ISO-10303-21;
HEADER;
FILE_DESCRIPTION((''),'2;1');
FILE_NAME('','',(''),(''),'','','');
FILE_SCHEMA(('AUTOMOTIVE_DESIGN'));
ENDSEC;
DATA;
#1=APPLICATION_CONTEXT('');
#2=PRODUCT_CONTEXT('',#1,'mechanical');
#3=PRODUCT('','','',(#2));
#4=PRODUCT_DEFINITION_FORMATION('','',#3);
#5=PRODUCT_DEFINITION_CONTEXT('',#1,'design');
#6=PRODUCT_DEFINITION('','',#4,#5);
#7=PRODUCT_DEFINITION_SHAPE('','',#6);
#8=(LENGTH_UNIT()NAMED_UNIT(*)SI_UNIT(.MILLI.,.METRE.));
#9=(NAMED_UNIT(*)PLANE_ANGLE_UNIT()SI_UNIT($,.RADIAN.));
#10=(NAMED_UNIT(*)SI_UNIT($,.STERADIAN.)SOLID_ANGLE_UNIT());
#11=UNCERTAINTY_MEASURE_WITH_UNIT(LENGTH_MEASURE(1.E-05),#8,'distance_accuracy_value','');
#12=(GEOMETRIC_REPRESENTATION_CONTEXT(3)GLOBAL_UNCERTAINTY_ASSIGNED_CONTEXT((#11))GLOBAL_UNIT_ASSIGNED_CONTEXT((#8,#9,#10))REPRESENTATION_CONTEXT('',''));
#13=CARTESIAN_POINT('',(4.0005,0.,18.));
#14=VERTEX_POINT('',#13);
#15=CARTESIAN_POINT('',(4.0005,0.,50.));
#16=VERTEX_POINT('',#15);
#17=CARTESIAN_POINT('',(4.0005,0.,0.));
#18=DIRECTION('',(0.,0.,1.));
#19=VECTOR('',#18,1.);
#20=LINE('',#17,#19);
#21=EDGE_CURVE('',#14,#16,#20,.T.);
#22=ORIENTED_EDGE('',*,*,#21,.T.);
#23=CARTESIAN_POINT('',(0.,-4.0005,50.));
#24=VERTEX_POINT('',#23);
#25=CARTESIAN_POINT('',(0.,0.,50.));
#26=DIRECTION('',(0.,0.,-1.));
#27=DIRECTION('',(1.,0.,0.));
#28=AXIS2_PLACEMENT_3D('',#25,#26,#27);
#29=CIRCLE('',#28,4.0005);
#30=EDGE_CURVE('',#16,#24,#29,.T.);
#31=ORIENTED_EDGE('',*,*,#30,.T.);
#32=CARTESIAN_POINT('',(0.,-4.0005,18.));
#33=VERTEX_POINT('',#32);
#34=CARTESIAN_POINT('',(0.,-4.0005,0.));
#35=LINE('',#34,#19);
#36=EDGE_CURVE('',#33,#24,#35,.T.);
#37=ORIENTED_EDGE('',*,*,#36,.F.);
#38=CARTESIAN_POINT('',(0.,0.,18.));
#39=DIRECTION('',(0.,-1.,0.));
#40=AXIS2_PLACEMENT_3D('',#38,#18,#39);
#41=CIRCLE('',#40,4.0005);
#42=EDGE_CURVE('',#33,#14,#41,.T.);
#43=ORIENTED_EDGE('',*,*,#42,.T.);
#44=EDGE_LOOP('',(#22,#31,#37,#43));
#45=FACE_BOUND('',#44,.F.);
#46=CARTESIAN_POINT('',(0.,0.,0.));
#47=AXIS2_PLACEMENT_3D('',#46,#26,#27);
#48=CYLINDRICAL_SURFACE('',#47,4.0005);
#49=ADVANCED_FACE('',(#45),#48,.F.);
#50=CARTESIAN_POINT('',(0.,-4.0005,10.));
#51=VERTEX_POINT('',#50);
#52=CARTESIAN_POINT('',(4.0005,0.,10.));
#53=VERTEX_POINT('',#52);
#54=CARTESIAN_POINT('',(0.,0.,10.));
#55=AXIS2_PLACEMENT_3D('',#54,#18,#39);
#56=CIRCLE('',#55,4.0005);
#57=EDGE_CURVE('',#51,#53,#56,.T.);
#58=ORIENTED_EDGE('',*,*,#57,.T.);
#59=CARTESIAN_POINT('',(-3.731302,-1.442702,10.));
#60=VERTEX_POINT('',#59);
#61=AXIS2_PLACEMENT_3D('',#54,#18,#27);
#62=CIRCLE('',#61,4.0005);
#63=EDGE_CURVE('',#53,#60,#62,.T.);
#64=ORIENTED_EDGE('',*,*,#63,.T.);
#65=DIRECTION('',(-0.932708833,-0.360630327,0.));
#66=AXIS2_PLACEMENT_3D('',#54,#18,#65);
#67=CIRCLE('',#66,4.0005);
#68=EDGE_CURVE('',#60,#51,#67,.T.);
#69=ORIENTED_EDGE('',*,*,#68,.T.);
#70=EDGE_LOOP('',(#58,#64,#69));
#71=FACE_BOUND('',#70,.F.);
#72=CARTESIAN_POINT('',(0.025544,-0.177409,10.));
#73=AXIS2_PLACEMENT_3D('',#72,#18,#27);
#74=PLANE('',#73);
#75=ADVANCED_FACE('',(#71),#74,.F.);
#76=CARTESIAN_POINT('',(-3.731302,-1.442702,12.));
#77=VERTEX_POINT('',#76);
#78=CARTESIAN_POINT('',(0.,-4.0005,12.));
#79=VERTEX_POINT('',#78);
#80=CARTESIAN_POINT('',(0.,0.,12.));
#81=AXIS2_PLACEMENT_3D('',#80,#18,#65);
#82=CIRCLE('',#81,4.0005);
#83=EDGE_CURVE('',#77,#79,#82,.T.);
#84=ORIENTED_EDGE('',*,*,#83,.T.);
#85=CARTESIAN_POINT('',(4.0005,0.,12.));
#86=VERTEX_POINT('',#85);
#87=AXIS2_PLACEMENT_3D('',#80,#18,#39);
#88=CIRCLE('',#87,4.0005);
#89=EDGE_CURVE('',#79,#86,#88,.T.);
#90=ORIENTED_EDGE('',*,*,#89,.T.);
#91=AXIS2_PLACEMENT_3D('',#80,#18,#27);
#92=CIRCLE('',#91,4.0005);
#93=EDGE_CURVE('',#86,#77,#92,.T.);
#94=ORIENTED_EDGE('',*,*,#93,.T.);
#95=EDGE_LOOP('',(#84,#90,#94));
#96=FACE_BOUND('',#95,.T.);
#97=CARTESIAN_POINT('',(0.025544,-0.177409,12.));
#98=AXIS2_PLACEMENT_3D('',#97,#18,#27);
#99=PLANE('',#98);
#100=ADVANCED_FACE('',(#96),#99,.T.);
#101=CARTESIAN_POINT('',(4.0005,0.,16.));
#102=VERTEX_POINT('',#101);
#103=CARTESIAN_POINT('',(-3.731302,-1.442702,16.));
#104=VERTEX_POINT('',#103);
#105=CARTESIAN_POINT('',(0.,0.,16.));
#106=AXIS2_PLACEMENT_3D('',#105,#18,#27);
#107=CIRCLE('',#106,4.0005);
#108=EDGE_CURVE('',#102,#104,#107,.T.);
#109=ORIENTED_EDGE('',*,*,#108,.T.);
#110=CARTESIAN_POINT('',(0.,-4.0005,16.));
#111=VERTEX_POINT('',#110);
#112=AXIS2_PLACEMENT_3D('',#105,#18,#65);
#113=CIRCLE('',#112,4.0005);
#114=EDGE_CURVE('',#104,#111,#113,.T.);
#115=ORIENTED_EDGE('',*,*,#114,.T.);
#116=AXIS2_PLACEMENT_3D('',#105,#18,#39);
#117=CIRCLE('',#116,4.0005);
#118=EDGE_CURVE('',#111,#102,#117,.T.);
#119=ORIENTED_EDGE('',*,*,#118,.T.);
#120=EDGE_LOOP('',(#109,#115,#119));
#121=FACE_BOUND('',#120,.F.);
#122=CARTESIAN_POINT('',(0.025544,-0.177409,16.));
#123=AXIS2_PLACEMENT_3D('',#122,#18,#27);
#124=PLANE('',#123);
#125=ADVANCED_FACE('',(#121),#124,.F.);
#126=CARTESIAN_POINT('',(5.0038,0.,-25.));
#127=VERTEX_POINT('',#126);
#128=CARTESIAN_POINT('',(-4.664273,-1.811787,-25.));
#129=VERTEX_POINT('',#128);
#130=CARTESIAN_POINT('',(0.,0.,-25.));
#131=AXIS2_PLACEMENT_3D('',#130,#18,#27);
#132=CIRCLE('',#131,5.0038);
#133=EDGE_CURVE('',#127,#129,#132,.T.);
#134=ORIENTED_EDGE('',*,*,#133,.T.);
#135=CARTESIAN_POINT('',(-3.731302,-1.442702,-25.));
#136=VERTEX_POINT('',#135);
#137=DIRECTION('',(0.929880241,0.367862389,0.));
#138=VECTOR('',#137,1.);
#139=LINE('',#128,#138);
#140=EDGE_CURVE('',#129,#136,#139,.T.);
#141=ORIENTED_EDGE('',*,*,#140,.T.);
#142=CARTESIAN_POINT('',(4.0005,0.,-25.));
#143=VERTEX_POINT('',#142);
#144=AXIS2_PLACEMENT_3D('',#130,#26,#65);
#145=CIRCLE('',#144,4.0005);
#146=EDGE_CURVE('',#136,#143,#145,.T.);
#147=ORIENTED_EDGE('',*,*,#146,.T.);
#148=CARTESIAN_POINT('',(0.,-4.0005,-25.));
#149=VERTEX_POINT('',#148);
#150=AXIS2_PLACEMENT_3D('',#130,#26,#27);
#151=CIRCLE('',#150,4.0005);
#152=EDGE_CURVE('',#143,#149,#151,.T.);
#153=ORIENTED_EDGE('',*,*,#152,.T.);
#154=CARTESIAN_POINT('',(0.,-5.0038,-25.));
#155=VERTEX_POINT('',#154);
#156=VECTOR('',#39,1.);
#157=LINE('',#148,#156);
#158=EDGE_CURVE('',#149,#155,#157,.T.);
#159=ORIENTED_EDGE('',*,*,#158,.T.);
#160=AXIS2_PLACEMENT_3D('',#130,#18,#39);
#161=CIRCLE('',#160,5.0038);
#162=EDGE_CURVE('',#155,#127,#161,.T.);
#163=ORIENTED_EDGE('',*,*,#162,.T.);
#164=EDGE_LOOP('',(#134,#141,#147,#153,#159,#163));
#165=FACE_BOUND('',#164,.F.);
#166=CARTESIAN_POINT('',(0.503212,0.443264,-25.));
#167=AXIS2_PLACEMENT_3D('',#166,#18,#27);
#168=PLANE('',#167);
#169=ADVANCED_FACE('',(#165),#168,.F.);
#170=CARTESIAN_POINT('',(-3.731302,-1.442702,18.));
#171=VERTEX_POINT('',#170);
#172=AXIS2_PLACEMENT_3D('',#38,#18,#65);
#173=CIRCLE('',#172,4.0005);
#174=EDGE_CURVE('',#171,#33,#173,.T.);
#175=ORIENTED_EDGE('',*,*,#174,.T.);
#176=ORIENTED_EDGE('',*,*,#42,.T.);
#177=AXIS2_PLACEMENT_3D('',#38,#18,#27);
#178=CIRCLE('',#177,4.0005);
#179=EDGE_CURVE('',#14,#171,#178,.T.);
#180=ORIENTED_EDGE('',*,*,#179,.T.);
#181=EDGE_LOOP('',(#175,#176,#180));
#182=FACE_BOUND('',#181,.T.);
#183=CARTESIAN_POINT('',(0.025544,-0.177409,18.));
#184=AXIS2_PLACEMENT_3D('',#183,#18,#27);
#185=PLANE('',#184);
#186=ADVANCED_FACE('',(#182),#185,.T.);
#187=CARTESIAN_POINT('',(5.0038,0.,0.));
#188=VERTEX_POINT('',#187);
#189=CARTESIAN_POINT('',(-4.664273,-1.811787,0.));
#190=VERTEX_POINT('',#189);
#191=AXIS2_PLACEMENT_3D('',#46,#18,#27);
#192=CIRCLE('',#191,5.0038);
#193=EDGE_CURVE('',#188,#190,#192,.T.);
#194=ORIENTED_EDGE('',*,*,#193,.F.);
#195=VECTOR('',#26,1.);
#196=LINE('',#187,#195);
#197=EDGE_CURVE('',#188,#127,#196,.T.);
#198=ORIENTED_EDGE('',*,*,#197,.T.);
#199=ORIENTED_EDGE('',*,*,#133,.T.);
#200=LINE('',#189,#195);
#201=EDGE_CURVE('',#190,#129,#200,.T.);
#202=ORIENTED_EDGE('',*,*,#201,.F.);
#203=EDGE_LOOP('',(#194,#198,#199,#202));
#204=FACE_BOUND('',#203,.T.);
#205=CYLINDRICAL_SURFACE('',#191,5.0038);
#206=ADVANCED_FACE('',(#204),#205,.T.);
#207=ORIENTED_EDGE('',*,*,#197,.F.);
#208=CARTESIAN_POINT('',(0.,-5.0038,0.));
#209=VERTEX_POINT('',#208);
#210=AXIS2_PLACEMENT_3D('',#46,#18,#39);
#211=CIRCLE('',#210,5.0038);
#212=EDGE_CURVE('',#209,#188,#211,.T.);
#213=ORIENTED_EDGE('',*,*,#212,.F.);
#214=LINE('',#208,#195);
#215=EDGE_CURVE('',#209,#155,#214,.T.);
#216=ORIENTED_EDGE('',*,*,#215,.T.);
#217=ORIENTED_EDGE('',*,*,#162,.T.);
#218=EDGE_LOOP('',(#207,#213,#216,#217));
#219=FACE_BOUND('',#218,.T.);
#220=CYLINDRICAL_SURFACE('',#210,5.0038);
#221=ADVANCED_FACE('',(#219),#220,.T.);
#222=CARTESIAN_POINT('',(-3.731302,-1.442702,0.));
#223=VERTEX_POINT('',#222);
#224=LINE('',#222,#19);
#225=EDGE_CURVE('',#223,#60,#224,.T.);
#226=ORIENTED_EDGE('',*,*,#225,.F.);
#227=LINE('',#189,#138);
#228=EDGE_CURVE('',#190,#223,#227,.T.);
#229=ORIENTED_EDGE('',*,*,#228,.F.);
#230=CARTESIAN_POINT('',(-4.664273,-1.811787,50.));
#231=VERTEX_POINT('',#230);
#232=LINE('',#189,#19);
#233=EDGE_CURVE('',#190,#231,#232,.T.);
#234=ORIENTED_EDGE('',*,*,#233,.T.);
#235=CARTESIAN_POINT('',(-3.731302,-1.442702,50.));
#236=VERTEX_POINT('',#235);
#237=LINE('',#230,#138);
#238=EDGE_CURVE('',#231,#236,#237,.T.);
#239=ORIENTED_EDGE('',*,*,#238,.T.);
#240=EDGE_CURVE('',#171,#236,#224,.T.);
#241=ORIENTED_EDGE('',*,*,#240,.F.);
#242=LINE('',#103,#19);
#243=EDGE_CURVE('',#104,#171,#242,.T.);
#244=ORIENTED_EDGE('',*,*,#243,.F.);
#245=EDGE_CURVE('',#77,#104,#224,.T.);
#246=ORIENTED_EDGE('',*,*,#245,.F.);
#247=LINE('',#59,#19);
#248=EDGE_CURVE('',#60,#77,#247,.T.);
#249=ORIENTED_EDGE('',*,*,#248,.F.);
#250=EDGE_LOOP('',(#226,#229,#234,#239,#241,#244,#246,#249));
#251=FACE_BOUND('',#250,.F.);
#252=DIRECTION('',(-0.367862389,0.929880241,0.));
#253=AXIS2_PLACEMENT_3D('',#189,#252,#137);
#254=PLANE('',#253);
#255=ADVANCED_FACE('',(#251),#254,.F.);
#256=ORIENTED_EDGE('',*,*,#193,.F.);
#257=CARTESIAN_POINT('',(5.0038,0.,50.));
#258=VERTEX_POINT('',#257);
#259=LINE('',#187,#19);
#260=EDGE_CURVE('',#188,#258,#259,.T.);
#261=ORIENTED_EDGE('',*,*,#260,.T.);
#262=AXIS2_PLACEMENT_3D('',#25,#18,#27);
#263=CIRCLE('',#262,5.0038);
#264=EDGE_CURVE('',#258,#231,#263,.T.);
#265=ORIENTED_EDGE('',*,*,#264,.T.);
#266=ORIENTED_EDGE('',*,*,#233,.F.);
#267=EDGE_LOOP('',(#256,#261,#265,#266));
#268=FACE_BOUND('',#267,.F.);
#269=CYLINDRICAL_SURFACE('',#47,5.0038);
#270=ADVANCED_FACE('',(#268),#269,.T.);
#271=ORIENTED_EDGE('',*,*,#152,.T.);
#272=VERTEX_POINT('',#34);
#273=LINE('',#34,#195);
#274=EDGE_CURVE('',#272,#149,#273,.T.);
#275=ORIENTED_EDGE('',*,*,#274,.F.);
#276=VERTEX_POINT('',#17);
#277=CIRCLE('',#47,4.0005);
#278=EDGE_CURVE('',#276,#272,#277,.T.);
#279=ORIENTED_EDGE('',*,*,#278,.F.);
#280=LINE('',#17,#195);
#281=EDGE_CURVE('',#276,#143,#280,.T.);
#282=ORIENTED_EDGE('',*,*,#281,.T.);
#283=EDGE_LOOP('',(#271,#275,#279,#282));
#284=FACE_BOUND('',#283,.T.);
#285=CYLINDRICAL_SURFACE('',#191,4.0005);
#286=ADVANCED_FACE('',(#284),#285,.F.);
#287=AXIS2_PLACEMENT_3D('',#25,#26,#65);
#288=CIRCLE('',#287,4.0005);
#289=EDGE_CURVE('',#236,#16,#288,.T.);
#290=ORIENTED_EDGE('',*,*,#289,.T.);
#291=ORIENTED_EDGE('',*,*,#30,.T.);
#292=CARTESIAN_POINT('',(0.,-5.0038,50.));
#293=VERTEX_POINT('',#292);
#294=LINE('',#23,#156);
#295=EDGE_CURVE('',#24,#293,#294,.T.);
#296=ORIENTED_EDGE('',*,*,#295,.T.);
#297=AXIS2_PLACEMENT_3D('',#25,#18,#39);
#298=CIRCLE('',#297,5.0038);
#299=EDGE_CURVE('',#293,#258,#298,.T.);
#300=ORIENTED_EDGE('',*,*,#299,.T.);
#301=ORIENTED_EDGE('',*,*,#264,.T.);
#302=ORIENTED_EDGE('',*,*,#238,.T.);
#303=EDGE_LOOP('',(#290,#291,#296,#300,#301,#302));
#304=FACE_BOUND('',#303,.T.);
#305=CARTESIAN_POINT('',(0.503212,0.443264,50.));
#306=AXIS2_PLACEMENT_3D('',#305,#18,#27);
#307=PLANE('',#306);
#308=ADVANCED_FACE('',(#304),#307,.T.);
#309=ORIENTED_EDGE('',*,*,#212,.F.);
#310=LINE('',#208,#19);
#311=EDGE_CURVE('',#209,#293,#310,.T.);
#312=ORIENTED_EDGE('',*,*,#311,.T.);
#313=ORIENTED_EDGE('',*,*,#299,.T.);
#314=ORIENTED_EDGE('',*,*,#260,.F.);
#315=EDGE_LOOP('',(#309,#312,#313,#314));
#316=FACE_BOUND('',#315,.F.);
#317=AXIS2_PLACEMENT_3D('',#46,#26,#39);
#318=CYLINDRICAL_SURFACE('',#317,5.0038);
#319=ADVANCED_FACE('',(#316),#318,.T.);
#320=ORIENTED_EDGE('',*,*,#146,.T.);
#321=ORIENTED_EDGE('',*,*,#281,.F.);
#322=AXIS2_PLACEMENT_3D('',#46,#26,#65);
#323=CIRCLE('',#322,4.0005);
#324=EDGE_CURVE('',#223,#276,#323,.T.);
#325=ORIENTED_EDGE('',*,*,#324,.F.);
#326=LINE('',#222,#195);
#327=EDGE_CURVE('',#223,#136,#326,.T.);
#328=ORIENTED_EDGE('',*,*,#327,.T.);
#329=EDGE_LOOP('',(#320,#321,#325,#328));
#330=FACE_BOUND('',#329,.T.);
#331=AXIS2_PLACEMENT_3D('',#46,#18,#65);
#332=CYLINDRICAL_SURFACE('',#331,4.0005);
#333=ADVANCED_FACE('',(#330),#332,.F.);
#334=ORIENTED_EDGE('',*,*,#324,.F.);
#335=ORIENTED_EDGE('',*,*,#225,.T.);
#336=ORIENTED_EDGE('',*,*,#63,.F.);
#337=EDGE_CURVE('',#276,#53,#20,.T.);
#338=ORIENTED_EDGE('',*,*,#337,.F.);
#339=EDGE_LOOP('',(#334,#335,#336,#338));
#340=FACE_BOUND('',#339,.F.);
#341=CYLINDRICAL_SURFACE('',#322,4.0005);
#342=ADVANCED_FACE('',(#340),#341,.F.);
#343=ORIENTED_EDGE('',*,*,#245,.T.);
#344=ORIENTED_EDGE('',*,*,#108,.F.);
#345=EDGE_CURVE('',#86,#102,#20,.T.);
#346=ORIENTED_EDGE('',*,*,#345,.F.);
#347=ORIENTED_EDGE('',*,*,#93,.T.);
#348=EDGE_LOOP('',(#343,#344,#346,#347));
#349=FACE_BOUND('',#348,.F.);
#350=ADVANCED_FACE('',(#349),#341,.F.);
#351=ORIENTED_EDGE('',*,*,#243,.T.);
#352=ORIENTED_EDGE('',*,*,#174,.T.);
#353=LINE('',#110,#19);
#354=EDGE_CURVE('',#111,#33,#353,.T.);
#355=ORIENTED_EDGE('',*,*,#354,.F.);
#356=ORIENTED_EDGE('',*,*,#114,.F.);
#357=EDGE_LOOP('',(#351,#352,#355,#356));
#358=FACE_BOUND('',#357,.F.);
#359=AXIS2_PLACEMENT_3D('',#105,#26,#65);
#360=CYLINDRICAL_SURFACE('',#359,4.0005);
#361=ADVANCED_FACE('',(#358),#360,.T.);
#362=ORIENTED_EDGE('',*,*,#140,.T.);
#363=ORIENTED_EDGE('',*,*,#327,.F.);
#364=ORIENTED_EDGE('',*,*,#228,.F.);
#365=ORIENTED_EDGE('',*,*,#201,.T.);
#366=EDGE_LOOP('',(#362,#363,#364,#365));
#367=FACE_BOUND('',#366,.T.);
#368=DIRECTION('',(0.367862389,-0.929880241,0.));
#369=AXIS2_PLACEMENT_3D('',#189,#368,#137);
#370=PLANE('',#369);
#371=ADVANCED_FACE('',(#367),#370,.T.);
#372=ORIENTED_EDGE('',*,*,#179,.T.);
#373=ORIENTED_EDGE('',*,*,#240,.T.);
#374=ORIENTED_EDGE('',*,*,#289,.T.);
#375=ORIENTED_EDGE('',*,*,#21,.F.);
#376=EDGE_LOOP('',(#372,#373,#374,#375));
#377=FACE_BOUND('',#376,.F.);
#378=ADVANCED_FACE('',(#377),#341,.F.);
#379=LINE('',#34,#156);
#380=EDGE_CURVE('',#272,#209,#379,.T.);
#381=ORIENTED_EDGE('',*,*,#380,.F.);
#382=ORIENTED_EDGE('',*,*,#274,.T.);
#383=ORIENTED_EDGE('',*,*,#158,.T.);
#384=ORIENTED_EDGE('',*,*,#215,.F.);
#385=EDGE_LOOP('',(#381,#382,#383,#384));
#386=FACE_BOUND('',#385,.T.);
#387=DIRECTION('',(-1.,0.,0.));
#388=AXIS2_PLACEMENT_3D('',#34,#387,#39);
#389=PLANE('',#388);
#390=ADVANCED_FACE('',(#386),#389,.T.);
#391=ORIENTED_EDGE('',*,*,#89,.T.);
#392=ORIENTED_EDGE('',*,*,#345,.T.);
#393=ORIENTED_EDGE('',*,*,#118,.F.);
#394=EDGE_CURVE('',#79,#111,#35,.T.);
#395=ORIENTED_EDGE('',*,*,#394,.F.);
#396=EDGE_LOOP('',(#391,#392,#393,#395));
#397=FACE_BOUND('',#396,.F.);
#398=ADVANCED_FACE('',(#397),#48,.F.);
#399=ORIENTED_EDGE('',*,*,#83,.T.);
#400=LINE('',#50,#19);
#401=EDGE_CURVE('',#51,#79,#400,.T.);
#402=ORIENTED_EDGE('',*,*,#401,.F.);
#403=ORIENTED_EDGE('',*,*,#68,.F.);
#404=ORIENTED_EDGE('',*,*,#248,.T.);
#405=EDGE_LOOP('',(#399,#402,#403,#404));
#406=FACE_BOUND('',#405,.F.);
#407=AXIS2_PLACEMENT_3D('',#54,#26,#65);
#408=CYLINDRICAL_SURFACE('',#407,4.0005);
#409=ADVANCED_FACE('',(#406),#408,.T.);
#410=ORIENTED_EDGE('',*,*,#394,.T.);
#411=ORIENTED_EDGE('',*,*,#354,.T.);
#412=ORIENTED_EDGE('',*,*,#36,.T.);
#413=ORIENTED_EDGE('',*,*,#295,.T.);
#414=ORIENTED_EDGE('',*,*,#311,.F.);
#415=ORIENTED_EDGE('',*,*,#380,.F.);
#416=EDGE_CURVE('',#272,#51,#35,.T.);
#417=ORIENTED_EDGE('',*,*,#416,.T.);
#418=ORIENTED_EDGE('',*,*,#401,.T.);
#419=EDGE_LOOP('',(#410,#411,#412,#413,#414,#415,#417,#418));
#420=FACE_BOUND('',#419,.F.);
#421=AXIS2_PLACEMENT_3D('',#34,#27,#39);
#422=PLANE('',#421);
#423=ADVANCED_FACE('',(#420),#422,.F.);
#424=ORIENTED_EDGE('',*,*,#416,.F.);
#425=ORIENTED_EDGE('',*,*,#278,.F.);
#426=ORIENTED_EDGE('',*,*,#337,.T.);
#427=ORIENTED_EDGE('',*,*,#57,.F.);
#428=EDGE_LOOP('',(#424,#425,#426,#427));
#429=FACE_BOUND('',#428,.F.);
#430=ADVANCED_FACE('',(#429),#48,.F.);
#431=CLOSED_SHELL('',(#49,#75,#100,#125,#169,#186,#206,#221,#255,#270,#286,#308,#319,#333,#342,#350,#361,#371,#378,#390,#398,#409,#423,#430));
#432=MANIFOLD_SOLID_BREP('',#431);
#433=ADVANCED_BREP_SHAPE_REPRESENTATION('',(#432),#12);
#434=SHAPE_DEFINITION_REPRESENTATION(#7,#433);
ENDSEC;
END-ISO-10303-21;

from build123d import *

# Parameters (mm, degrees)
F1_DEPTH = 50
F2_START = 16
F2_DEPTH = 2
F3_START = 10
F3_DEPTH = 2
F4_DEPTH = 25


with BuildPart() as f1:
    # F0 (on Top) → F1 (new body)
    with BuildSketch(Plane.XY):
        with BuildLine():
            ThreePointArc((-3.7313016861, -1.4427016245), (-0.7338010135, 3.9326246099), (4.0005, 0))
            ThreePointArc((4.0005, 0), (2.8287806781, -2.8287806781), (0, -4.0005))
            Line((0, -4.0005), (0, -5.0038))
            ThreePointArc((0, -5.0038), (3.5382209117, -3.5382209117), (5.0038, 0))
            ThreePointArc((5.0038, 0), (-0.9216629242, 4.9181858336), (-4.6642730222, -1.8117868569))
            Line((-4.6642730222, -1.8117868569), (-3.7313016861, -1.4427016245))
        make_face()
    extrude(amount=F1_DEPTH)

    # F0 (on Top) → F2 (join)
    with BuildSketch(Plane.XY.offset(F2_START)):
        with BuildLine():
            ThreePointArc((0, -4.0005), (2.8287806781, -2.8287806781), (4.0005, 0))
            ThreePointArc((4.0005, 0), (-0.7338010135, 3.9326246099), (-3.7313016861, -1.4427016245))
            ThreePointArc((-3.7313016861, -1.4427016245), (-2.2619098569, -3.2996612022), (0, -4.0005))
        make_face()
    extrude(amount=F2_DEPTH)

    # F0 (on Top) → F3 (join)
    with BuildSketch(Plane.XY.offset(F3_START)):
        with BuildLine():
            ThreePointArc((0, -4.0005), (2.8287806781, -2.8287806781), (4.0005, 0))
            ThreePointArc((4.0005, 0), (-0.7338010135, 3.9326246099), (-3.7313016861, -1.4427016245))
            ThreePointArc((-3.7313016861, -1.4427016245), (-2.2619098569, -3.2996612022), (0, -4.0005))
        make_face()
    extrude(amount=F3_DEPTH)

    # F0 (on Top) → F4 (join)
    with BuildSketch(Plane.XY):
        with BuildLine():
            ThreePointArc((-3.7313016861, -1.4427016245), (-0.7338010135, 3.9326246099), (4.0005, 0))
            ThreePointArc((4.0005, 0), (2.8287806781, -2.8287806781), (0, -4.0005))
            Line((0, -4.0005), (0, -5.0038))
            ThreePointArc((0, -5.0038), (3.5382209117, -3.5382209117), (5.0038, 0))
            ThreePointArc((5.0038, 0), (-0.9216629242, 4.9181858336), (-4.6642730222, -1.8117868569))
            Line((-4.6642730222, -1.8117868569), (-3.7313016861, -1.4427016245))
        make_face()
    extrude(amount=-F4_DEPTH)


solid = f1.part
